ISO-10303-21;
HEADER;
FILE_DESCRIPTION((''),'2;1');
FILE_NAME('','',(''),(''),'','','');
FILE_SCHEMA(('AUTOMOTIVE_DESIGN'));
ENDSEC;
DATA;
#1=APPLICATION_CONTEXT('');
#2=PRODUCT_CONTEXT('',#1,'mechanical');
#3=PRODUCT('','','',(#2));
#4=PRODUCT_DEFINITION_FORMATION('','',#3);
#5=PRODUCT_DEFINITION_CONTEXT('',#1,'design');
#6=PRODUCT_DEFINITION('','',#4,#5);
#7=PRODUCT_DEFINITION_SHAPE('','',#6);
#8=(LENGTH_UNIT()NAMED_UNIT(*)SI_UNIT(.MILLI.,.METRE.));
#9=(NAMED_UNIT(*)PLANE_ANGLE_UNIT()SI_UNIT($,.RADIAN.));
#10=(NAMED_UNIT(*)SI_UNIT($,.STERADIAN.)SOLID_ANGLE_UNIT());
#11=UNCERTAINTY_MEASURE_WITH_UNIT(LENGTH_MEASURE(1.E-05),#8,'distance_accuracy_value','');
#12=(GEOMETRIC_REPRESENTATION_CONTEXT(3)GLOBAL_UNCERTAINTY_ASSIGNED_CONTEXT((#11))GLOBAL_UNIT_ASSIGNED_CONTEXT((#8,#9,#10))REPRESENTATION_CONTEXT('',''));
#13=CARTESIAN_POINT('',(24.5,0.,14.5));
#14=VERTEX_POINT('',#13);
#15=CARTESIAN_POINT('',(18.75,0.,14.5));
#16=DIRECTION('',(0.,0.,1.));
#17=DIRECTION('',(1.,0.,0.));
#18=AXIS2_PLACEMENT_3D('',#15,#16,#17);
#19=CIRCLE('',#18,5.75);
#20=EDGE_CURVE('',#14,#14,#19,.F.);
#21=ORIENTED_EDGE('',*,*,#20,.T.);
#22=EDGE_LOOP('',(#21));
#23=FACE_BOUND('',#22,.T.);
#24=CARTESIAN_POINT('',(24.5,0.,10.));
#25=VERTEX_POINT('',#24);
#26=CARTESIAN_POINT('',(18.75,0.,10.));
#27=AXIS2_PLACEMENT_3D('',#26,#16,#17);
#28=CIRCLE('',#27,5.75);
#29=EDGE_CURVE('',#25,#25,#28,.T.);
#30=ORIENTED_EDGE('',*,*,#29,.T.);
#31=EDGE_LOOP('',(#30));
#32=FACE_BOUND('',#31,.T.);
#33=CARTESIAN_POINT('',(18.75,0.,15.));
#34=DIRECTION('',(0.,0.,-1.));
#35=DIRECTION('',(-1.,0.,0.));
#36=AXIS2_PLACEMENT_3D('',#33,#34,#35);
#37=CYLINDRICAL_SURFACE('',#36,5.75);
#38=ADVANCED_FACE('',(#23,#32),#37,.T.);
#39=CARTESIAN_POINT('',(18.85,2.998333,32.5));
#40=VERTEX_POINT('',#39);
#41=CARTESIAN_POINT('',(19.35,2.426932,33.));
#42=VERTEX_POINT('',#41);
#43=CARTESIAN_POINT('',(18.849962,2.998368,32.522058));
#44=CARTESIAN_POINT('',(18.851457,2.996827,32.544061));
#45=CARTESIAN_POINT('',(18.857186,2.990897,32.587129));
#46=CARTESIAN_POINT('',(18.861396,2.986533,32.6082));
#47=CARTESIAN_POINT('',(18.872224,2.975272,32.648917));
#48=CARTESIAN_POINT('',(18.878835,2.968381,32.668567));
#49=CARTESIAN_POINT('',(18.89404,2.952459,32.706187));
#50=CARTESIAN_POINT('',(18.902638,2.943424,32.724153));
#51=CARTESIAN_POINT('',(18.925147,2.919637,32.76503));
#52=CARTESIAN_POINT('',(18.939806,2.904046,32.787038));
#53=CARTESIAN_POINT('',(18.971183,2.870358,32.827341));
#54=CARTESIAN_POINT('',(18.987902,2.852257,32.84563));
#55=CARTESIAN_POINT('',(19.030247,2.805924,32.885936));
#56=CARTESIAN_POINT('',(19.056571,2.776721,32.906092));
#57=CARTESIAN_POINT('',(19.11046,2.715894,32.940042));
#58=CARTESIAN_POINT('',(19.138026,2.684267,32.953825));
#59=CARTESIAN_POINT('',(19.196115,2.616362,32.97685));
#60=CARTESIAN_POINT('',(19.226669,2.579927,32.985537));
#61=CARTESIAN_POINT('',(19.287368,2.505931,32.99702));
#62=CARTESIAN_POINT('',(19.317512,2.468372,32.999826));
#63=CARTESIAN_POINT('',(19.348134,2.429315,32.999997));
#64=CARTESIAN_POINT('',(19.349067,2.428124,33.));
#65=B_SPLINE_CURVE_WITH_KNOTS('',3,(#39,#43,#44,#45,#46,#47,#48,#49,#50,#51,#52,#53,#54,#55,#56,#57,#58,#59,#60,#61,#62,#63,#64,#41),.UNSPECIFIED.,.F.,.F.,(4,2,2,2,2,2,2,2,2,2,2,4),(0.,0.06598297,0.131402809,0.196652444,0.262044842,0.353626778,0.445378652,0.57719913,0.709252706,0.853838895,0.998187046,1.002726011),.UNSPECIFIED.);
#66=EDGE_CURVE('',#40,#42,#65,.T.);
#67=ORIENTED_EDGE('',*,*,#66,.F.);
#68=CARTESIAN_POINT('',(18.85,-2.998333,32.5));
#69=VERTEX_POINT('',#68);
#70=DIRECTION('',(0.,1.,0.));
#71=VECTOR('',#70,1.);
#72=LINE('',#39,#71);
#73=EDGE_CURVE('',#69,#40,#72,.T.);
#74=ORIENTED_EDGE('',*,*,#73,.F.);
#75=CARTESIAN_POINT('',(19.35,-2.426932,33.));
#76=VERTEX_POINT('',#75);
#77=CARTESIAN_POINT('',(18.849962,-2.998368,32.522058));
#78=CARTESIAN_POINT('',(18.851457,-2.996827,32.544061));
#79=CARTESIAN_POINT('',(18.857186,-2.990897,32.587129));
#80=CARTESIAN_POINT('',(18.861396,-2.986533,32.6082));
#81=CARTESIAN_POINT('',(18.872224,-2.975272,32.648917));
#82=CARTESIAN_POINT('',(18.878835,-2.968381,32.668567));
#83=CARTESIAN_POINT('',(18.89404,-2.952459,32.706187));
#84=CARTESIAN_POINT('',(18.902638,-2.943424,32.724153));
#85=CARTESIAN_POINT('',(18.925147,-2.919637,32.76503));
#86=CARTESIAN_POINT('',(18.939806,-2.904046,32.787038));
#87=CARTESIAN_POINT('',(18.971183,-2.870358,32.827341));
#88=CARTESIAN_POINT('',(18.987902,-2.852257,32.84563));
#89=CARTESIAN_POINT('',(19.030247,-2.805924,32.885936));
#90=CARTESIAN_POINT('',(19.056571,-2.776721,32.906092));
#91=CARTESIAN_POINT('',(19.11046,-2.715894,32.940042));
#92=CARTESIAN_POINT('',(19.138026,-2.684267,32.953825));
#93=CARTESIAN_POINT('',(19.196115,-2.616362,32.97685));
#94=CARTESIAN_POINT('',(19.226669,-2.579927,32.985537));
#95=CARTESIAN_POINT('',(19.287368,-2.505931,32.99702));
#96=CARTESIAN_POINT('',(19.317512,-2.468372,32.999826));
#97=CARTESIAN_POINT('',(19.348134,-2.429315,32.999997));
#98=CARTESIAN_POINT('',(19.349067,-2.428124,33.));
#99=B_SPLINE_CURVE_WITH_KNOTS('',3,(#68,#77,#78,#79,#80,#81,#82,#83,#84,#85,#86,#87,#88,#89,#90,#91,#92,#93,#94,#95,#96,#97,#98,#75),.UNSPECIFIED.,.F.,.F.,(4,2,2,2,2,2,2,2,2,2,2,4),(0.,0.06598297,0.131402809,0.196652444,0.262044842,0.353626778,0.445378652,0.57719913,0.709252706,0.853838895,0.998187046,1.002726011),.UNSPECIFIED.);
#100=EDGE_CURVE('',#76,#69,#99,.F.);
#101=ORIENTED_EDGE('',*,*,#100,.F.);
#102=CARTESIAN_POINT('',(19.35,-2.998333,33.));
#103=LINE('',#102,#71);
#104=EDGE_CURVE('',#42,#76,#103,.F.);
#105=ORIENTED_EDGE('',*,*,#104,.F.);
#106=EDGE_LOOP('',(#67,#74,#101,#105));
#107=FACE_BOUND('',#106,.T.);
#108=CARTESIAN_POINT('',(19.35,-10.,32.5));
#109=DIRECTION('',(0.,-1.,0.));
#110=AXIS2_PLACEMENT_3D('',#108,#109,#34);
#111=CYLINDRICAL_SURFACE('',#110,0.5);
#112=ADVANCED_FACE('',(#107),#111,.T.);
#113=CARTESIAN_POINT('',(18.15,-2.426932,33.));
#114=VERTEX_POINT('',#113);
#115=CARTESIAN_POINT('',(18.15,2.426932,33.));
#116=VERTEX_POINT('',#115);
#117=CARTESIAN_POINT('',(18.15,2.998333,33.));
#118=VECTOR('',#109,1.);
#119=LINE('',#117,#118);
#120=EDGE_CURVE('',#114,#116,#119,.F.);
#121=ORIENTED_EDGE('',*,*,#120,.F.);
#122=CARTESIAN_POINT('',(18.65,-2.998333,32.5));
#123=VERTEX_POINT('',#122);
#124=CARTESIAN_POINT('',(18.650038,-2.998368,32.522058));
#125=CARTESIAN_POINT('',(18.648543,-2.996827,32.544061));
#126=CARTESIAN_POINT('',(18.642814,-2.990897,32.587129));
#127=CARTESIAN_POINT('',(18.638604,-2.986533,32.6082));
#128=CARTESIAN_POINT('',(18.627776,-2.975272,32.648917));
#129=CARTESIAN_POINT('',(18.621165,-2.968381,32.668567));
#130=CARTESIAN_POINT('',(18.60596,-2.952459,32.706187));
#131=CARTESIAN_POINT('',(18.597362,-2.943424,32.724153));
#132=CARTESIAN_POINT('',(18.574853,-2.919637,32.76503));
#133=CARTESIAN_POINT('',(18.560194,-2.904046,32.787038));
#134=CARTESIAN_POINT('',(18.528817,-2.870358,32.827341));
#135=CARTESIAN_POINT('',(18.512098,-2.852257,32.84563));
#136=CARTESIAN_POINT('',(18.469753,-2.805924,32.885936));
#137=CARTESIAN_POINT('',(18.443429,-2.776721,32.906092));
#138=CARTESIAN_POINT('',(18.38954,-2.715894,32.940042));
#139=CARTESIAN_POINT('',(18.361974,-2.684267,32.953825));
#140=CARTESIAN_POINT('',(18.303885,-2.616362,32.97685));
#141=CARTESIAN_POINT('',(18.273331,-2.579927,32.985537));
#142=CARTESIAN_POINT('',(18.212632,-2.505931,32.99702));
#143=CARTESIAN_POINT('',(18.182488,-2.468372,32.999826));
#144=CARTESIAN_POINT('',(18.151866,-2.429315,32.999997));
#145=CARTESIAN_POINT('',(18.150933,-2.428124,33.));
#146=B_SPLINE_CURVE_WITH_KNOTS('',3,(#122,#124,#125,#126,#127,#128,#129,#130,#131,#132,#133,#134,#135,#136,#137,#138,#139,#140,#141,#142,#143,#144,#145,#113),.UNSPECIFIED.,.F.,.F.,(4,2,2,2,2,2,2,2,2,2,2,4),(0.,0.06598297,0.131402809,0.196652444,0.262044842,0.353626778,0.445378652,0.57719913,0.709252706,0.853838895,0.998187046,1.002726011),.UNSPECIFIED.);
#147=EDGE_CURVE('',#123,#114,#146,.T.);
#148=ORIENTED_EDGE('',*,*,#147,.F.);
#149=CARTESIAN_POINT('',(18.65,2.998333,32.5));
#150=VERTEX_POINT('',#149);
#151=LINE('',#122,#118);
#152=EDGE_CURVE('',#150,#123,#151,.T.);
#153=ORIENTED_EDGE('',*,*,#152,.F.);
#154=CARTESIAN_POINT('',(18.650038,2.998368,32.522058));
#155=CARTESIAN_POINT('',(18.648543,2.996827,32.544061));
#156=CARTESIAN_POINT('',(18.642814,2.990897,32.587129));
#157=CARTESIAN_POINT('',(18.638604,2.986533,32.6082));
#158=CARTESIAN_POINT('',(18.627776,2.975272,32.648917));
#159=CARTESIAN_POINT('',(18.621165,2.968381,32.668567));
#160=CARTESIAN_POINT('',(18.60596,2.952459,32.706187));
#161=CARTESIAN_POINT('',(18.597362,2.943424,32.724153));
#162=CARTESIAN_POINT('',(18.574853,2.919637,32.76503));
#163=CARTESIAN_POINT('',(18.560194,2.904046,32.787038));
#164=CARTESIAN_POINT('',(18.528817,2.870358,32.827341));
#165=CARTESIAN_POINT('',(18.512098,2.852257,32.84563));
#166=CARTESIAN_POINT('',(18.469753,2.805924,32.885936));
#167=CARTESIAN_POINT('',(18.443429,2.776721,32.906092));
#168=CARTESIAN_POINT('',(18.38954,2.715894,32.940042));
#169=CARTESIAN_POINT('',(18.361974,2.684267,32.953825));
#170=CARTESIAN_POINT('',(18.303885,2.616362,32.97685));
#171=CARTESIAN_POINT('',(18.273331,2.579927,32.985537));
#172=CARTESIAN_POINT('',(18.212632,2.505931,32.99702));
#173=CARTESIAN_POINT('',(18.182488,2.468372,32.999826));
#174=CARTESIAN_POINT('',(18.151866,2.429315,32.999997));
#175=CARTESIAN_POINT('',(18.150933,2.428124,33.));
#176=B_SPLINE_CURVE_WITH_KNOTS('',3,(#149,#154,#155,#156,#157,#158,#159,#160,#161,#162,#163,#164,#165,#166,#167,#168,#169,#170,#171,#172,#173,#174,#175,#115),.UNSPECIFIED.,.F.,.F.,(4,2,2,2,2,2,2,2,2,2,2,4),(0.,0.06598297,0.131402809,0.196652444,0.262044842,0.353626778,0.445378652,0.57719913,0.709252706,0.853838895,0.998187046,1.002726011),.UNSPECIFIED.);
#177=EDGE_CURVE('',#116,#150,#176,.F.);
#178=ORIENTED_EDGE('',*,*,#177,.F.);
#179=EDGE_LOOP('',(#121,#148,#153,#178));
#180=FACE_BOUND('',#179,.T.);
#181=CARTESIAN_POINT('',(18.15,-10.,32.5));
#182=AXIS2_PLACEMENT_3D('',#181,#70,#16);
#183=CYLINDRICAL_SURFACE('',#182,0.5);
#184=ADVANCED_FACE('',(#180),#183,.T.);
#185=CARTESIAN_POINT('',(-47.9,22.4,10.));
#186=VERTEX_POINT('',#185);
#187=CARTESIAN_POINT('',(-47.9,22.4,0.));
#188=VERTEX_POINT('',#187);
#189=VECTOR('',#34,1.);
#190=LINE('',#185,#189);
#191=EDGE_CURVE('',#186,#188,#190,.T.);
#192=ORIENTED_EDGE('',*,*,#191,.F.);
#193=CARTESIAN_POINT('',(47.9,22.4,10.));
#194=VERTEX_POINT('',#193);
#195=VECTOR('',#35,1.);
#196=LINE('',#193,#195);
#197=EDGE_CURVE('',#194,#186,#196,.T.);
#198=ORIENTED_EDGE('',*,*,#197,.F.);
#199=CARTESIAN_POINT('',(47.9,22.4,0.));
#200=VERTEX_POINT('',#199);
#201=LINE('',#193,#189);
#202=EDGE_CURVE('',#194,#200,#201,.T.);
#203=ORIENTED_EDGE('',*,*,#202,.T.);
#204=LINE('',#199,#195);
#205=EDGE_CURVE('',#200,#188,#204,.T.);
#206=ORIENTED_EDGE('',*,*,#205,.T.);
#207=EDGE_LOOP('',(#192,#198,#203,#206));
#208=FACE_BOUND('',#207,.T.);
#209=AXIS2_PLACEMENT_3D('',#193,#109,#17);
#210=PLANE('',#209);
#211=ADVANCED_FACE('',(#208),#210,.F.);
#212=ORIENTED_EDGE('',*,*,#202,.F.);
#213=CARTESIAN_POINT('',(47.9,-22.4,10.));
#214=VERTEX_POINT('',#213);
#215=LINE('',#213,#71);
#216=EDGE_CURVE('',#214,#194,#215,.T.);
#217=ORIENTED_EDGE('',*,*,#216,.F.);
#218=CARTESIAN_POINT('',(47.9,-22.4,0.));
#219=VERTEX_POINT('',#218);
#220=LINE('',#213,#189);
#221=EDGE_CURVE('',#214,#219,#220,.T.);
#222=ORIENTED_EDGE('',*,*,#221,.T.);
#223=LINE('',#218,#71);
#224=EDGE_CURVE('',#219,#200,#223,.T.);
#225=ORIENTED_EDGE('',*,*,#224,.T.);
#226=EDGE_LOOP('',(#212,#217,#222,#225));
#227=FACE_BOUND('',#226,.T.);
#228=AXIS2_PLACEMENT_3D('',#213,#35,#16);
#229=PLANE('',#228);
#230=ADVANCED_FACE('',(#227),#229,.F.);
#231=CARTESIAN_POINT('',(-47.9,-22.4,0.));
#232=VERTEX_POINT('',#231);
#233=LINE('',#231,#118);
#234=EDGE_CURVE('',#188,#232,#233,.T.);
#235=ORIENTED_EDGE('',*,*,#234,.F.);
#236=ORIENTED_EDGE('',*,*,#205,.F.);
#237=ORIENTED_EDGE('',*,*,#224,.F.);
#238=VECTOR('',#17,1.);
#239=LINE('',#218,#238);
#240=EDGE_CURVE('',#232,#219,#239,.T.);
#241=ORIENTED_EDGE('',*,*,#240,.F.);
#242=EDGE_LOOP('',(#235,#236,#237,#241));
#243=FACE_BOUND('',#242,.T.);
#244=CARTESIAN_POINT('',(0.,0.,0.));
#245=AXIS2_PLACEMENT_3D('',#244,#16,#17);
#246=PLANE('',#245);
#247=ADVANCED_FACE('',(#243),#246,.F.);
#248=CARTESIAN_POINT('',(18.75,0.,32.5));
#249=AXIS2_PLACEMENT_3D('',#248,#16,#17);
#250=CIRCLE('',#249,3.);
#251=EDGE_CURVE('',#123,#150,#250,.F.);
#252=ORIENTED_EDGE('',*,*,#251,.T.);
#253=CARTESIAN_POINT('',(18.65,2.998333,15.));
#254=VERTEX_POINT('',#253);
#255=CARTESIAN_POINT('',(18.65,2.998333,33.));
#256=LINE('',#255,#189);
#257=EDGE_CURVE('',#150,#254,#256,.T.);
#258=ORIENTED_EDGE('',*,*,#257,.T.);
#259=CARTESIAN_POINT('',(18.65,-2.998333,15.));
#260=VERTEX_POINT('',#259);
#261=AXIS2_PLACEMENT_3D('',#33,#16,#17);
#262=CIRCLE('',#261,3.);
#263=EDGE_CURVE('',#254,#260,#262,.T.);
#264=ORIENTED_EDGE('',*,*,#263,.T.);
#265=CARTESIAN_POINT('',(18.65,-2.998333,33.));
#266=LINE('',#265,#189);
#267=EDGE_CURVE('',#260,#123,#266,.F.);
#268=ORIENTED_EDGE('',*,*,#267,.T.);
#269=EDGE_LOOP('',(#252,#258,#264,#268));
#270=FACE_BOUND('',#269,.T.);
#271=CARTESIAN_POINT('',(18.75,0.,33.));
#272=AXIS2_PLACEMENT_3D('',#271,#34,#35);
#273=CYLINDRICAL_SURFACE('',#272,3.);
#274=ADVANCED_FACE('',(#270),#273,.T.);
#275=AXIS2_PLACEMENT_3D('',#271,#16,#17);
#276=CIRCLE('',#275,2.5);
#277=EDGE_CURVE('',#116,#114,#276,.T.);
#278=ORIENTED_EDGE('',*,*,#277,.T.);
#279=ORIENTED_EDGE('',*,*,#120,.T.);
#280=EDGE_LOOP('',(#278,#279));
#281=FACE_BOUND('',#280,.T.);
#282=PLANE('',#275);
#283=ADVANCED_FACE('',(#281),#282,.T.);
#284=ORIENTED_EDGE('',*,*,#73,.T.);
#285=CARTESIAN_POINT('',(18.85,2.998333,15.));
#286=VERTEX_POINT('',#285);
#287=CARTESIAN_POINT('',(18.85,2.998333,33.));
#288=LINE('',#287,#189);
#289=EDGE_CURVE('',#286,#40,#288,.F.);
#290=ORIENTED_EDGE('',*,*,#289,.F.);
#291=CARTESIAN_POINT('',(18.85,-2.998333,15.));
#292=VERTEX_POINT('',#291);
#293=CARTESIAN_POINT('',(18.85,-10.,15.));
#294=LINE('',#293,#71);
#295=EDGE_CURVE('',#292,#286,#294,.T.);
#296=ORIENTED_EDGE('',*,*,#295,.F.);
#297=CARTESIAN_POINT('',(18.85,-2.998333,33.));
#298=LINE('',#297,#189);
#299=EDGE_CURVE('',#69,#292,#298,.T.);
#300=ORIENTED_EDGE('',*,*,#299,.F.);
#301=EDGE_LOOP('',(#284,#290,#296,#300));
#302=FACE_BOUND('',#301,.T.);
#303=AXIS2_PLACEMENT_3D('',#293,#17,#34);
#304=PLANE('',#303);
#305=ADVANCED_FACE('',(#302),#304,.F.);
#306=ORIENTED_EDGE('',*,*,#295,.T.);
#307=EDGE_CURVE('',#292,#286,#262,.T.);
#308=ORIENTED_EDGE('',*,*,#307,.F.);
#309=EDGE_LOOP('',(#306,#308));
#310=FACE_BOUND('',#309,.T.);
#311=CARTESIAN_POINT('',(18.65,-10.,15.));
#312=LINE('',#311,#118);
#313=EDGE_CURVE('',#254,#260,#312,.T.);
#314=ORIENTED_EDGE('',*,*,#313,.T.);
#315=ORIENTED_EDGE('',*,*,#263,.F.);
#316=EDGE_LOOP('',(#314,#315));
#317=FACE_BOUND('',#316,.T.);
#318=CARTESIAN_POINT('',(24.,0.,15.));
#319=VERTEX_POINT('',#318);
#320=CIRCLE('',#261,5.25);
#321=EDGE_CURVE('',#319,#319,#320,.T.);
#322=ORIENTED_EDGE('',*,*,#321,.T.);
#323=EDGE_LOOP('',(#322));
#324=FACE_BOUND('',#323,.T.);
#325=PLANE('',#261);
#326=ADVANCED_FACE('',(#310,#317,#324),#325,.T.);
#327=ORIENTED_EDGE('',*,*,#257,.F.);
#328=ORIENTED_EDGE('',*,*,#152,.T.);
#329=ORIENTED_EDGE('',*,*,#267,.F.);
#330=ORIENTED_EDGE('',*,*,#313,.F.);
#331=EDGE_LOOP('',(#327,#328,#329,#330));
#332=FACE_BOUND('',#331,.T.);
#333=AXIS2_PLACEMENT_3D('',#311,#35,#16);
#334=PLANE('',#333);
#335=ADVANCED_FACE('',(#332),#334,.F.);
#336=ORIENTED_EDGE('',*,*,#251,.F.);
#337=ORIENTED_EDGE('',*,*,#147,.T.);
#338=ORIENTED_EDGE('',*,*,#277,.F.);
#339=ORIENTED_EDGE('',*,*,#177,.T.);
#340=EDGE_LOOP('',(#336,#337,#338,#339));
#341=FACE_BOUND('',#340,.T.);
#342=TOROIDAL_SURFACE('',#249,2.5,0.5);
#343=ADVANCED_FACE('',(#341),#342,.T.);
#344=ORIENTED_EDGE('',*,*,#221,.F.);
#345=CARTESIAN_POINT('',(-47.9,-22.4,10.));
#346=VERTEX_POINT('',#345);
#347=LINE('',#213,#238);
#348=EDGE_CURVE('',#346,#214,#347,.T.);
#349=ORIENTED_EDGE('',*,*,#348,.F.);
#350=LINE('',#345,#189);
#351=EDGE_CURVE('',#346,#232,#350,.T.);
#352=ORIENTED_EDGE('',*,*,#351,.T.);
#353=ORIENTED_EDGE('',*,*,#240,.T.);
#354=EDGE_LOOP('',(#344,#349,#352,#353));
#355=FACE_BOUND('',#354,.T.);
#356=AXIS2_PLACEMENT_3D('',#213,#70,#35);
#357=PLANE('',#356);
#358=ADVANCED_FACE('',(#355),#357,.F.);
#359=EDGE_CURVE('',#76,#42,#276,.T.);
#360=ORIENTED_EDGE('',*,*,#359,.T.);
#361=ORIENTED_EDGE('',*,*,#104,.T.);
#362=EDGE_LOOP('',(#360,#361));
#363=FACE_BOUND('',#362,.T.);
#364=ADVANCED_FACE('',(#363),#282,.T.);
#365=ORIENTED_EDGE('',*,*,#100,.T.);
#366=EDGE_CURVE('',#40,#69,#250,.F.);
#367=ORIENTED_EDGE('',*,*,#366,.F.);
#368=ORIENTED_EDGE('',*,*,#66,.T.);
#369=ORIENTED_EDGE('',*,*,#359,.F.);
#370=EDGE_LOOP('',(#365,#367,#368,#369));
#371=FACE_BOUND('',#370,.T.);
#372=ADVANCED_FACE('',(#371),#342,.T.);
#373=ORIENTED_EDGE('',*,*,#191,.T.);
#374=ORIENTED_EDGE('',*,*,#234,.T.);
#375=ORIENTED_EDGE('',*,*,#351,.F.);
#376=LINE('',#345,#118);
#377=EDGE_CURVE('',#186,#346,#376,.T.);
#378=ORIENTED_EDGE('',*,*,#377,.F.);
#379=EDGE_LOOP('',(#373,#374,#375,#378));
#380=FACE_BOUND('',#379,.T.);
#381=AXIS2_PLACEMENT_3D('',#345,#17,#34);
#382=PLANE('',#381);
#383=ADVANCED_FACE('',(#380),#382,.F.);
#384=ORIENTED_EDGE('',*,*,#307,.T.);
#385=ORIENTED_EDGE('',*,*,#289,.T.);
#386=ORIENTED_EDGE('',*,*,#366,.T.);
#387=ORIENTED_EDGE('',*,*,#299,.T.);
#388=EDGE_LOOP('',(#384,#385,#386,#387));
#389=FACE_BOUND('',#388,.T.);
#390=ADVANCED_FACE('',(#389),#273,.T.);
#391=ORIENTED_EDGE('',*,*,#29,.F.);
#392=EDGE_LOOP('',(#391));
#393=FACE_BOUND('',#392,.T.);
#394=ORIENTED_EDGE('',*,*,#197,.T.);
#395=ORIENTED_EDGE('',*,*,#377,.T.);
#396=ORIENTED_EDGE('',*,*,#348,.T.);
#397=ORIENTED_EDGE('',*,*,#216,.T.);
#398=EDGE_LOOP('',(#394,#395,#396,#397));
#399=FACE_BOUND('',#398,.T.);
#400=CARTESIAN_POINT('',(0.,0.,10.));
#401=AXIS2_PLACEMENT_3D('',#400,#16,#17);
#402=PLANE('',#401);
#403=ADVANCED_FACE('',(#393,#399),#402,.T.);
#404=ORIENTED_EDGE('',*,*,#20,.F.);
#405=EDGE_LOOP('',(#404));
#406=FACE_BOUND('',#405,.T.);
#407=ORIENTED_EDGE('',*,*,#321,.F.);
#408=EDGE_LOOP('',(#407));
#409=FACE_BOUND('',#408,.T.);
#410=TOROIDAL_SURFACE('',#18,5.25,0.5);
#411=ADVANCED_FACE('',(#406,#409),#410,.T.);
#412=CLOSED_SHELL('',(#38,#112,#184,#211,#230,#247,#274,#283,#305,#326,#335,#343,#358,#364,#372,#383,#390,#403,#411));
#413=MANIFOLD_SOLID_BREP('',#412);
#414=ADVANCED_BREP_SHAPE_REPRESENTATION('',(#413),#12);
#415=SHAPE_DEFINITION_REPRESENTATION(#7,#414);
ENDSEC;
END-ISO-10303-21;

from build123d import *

# Parameters (mm, degrees)
SKETCH1_W              = 95.8
SKETCH1_H              = 44.8
MAINWALL_DEPTH         = 10
SKETCH2_R              = 3
SPRINGAXLE_DEPTH       = 23
SKETCH3_R              = 5.75
SPOOLSUPPORTAXLE_DEPTH = 5
SKETCH4_W              = 0.2
SKETCH4_H              = 20
SLICE_2_DEPTH          = 18
FILLET1_R              = 0.5


with BuildPart() as part:
    # Sketch1 → MainWall (new body)
    with BuildSketch(Plane.XY):
        Rectangle(SKETCH1_W, SKETCH1_H)
    extrude(amount=MAINWALL_DEPTH)

    # Sketch2 → SpringAxle (add)
    with BuildSketch(Plane.XY.offset(10)):
        with Locations((18.75, 0)):
            Circle(SKETCH2_R)
    extrude(amount=SPRINGAXLE_DEPTH)

    # Sketch3 → SpoolSupportAxle (add)
    with BuildSketch(Plane.XY.offset(10)):
        with Locations((18.75, 0)):
            Circle(SKETCH3_R)
    extrude(amount=SPOOLSUPPORTAXLE_DEPTH)

    # Sketch4 → Slice 2 (cut)
    with BuildSketch(Plane.XY.offset(33)):
        with Locations((18.75, 0)):
            Rectangle(SKETCH4_W, SKETCH4_H)
    extrude(amount=-SLICE_2_DEPTH, mode=Mode.SUBTRACT)

    # Fillet1
    fillet1_edges = [part.edges().sort_by_distance(p)[0] for p in [
        (13, 0, 15),
        (15.75, 0, 33),
        (21.75, 0, 33),
        (18.85, 0, 33),
        (18.65, 0, 33),
    ]]
    fillet(fillet1_edges, radius=FILLET1_R)


solid = part.part
